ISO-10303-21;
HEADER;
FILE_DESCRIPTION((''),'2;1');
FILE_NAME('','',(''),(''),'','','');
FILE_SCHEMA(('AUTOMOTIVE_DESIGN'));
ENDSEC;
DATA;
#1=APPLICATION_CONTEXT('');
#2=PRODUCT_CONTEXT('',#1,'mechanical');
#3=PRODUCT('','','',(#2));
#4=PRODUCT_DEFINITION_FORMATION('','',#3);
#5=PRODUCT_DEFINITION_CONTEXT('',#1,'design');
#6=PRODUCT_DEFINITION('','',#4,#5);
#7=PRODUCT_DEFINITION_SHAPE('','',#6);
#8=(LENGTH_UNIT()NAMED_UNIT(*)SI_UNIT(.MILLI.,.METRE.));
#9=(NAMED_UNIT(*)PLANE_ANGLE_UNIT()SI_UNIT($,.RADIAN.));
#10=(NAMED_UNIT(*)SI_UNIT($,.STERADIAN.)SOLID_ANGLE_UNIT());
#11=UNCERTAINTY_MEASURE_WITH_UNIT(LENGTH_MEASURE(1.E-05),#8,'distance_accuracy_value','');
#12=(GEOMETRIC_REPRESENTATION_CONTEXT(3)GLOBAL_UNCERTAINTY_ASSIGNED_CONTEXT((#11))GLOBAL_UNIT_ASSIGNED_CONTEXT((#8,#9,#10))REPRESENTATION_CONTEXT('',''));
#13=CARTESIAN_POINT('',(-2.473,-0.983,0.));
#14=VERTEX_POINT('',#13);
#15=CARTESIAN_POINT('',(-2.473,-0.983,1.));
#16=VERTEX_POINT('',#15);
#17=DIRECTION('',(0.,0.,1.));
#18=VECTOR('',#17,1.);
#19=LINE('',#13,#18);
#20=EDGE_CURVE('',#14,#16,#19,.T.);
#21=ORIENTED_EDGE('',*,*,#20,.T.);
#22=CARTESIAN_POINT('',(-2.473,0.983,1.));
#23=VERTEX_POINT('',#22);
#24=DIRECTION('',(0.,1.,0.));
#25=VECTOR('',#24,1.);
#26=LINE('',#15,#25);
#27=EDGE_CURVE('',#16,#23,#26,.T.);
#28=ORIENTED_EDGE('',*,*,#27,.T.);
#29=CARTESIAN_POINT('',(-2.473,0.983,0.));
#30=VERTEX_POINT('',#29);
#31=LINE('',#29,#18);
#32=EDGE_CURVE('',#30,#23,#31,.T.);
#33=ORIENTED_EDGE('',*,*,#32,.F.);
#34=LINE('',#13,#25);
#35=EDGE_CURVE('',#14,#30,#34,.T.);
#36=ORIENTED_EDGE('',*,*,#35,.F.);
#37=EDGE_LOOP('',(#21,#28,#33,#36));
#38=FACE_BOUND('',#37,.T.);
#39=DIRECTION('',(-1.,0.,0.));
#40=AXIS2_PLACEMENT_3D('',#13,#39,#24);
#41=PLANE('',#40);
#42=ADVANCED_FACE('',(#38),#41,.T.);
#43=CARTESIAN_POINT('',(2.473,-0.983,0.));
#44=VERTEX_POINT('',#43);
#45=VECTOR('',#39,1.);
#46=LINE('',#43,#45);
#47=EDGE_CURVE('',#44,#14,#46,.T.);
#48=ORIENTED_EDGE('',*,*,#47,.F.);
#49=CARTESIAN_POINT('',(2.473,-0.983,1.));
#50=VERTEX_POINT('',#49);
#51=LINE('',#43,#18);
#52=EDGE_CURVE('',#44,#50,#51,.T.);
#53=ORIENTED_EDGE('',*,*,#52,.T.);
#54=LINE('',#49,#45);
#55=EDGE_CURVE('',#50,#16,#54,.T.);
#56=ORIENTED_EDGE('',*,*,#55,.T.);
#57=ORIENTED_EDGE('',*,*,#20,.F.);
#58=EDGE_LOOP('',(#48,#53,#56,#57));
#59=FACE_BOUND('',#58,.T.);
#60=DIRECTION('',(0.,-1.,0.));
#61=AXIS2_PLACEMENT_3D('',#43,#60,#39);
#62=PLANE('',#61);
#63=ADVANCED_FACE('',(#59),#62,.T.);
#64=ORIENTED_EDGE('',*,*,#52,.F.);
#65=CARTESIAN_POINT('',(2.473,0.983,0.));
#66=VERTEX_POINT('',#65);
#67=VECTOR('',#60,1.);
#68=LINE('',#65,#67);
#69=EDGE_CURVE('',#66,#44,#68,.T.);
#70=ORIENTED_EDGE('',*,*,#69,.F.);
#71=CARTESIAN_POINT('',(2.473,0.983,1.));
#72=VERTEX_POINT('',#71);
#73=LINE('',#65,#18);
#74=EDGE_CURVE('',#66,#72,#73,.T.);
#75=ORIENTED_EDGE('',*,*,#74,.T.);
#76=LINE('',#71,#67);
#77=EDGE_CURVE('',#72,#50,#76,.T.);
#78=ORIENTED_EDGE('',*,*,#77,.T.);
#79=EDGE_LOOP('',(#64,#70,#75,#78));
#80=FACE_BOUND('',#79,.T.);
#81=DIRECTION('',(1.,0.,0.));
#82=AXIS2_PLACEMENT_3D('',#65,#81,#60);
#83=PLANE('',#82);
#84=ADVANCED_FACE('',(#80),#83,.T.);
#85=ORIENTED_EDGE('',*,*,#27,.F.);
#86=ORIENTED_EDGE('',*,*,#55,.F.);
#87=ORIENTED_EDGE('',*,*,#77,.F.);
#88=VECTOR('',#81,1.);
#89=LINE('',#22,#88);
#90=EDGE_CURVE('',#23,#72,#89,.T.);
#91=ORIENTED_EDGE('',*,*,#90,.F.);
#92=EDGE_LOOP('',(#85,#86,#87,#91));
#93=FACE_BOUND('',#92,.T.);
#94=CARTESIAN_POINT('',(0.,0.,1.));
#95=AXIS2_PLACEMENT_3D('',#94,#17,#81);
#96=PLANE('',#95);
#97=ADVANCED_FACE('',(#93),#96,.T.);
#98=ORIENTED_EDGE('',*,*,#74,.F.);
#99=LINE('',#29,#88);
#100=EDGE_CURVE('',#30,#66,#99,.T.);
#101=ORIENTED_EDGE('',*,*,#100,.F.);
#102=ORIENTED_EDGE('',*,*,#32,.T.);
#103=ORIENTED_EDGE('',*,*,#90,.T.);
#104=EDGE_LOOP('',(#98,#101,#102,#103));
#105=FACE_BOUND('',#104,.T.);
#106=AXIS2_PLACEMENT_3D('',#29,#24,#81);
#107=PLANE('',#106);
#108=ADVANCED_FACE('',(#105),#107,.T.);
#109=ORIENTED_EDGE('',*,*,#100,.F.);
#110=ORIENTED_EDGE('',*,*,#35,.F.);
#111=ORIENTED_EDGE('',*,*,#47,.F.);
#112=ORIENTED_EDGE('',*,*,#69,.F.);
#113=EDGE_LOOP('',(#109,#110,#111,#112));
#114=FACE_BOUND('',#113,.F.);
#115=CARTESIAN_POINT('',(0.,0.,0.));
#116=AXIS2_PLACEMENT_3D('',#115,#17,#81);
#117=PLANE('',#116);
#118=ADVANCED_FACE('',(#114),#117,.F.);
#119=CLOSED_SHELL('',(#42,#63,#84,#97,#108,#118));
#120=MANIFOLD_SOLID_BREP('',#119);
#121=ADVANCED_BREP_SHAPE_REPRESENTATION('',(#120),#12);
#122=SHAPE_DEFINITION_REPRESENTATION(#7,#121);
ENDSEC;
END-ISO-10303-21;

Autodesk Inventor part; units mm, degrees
ref_plane "YZ Plane" through (0, 0, 0) normal (1, 0, 0) x (0, 1, 0)
ref_plane "XZ Plane" through (0, 0, 0) normal (0, 1, 0) x (-1, 0, 0)
ref_plane "XY Plane" through (0, 0, 0) normal (0, 0, 1) x (1, 0, 0)
sketch "R3216, 4_7K_91" plane through (0, 0, 0) normal (0, 0, 1) x (1, 0, 0)
  line L0 (-2.473, 0.983) -> (2.473, 0.983)
  line L1 (2.473, 0.983) -> (2.473, -0.983)
  line L2 (2.473, -0.983) -> (-2.473, -0.983)
  line L3 (-2.473, -0.983) -> (-2.473, 0.983)
extrude "Extrusion1" add sketch "R3216, 4_7K_91" along normal blind 1
properties part number "4_7K"
